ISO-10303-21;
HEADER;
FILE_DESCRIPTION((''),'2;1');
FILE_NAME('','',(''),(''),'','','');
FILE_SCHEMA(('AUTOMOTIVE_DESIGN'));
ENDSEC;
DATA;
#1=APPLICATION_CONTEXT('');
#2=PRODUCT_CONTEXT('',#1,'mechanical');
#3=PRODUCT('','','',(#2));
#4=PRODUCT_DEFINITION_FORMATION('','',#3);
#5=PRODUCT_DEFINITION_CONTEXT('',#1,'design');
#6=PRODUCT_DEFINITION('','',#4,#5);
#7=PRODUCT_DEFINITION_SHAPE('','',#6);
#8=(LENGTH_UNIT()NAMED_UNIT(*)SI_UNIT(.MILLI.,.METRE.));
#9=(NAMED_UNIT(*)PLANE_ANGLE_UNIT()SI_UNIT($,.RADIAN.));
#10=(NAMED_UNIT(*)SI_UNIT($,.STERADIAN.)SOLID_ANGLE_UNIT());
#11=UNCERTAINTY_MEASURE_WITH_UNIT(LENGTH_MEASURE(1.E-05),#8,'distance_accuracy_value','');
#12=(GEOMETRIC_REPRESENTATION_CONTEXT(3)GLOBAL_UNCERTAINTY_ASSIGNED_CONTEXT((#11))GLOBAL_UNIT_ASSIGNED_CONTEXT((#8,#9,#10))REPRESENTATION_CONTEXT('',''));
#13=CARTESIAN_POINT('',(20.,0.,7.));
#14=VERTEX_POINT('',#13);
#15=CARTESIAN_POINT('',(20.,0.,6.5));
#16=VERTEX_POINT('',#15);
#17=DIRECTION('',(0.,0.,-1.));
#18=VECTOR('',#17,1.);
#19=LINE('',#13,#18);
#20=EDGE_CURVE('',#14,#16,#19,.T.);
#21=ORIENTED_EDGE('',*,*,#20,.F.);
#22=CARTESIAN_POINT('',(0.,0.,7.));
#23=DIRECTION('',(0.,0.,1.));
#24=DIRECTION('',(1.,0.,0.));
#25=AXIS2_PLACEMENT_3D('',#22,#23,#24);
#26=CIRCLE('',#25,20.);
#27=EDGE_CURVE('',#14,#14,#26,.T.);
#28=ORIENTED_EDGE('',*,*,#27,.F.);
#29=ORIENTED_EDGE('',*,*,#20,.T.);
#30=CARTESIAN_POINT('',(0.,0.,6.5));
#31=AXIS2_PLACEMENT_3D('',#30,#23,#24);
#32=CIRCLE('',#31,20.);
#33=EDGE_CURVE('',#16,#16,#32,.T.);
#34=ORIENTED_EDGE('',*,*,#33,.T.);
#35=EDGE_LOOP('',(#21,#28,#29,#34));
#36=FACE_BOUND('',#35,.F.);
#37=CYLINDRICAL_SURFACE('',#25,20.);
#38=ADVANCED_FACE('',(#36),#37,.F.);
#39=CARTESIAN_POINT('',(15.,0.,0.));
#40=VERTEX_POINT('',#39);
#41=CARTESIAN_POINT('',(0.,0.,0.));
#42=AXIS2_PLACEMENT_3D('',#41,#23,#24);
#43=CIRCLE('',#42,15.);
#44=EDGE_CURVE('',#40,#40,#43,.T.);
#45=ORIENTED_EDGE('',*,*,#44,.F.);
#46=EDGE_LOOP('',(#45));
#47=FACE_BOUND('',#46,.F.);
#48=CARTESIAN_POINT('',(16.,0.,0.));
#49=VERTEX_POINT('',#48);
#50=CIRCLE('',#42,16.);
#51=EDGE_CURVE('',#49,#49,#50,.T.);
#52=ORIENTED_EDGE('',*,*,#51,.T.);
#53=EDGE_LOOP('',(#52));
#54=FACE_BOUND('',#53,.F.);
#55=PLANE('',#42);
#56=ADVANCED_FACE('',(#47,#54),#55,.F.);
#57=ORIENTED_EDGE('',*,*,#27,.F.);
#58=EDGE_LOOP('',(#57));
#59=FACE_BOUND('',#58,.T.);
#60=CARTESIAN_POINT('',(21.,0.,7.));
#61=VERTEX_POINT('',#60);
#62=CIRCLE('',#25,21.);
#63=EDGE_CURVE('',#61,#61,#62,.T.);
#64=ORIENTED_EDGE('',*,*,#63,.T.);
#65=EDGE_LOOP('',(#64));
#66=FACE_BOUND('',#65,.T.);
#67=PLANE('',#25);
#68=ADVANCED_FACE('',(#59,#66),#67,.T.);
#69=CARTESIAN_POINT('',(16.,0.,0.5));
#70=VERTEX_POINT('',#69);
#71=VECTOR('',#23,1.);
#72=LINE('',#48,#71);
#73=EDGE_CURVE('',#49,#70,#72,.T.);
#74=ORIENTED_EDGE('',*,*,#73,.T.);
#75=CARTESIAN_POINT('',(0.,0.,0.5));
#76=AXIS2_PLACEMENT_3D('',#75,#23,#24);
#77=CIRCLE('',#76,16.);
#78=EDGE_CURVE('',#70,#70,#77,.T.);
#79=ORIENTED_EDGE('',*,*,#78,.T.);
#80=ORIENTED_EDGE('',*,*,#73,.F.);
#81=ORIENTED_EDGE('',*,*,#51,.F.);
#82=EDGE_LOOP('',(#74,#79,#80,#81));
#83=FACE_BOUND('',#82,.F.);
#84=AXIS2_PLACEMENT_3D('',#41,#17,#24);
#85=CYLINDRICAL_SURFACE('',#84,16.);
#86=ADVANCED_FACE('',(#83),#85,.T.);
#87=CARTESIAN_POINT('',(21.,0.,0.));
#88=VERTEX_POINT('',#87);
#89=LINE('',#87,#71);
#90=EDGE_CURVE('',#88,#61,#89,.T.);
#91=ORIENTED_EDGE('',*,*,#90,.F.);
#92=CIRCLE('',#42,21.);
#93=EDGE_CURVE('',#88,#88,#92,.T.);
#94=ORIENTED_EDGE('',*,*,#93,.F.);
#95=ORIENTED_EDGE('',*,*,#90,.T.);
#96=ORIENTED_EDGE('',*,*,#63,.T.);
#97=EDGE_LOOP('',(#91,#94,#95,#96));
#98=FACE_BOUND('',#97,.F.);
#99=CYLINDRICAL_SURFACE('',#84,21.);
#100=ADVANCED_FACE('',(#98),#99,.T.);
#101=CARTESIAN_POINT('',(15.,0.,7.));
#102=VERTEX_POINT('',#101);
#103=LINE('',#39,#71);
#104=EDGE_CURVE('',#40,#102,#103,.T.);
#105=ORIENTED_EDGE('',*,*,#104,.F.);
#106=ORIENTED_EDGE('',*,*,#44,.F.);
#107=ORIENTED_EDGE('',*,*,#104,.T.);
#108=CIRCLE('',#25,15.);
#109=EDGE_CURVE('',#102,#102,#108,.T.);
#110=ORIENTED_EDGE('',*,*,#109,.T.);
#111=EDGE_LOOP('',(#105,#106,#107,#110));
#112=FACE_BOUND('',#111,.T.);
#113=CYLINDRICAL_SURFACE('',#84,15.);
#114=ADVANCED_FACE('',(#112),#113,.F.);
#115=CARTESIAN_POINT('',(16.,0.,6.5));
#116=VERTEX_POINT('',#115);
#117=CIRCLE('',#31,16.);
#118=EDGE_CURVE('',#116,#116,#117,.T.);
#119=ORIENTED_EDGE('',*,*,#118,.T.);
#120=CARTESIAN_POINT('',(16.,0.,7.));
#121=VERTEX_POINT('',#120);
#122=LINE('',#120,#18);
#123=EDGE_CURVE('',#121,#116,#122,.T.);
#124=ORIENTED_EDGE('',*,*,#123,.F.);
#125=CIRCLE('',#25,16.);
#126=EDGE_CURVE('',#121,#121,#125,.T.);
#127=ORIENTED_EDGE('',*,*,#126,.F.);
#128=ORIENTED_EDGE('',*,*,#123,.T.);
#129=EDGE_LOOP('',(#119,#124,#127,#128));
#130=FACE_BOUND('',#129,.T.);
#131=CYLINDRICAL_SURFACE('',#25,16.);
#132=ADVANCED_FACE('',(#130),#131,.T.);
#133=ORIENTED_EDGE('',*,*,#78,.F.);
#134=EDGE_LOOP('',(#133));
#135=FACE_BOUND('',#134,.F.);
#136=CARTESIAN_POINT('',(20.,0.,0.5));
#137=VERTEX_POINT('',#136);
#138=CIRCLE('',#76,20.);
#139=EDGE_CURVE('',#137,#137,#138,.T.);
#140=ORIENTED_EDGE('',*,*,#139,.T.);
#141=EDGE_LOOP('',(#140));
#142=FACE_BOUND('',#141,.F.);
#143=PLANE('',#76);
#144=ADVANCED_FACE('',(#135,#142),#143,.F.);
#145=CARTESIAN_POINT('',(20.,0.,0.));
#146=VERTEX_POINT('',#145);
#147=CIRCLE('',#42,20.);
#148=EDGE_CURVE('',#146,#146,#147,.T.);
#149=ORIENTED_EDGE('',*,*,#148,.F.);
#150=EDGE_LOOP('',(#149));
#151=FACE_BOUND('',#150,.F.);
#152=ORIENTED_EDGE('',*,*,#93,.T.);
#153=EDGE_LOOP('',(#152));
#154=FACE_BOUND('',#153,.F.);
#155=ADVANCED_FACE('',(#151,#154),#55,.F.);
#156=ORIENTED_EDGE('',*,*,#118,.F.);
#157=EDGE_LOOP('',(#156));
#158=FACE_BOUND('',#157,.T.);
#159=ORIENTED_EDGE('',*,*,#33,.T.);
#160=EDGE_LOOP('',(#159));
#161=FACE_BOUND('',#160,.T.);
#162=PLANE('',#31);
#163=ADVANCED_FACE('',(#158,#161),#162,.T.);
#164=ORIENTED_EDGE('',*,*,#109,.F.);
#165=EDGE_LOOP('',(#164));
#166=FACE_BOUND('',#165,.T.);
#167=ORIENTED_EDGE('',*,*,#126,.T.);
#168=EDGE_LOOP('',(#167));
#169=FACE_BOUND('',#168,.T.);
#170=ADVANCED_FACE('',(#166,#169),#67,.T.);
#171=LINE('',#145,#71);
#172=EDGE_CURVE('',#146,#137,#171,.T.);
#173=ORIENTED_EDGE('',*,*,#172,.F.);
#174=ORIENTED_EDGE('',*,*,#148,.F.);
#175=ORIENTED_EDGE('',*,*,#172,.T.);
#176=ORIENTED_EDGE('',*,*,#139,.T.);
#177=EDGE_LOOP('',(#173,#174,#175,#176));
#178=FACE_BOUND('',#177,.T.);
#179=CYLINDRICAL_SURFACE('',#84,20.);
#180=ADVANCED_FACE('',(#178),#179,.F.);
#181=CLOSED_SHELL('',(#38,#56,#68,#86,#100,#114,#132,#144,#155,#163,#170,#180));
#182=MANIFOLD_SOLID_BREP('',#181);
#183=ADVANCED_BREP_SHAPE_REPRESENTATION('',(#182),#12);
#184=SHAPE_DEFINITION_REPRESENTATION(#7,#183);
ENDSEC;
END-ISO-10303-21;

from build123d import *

# Parameters (mm, degrees)
SKETCH022_R     = 21
SKETCH022_R_2   = 15
PAD011_DEPTH    = 7
SKETCH023_R     = 20
SKETCH023_R_2   = 16
POCKET012_DEPTH = 0.5
SKETCH024_R     = 20
SKETCH024_R_2   = 16
POCKET013_DEPTH = 0.5


with BuildPart() as part:
    # Sketch022 → Pad011 (new body)
    with BuildSketch(Plane.XY):
        Circle(SKETCH022_R)
        Circle(SKETCH022_R_2, mode=Mode.SUBTRACT)
    extrude(amount=PAD011_DEPTH)

    # Sketch023 → Pocket012 (cut)
    with BuildSketch(Plane.XY.offset(7)):
        Circle(SKETCH023_R)
        Circle(SKETCH023_R_2, mode=Mode.SUBTRACT)
    extrude(amount=-POCKET012_DEPTH, mode=Mode.SUBTRACT)

    # Sketch024 → Pocket013 (cut)
    with BuildSketch(Plane.XY):
        Circle(SKETCH024_R)
        Circle(SKETCH024_R_2, mode=Mode.SUBTRACT)
    extrude(amount=POCKET013_DEPTH, mode=Mode.SUBTRACT)


solid = part.part
